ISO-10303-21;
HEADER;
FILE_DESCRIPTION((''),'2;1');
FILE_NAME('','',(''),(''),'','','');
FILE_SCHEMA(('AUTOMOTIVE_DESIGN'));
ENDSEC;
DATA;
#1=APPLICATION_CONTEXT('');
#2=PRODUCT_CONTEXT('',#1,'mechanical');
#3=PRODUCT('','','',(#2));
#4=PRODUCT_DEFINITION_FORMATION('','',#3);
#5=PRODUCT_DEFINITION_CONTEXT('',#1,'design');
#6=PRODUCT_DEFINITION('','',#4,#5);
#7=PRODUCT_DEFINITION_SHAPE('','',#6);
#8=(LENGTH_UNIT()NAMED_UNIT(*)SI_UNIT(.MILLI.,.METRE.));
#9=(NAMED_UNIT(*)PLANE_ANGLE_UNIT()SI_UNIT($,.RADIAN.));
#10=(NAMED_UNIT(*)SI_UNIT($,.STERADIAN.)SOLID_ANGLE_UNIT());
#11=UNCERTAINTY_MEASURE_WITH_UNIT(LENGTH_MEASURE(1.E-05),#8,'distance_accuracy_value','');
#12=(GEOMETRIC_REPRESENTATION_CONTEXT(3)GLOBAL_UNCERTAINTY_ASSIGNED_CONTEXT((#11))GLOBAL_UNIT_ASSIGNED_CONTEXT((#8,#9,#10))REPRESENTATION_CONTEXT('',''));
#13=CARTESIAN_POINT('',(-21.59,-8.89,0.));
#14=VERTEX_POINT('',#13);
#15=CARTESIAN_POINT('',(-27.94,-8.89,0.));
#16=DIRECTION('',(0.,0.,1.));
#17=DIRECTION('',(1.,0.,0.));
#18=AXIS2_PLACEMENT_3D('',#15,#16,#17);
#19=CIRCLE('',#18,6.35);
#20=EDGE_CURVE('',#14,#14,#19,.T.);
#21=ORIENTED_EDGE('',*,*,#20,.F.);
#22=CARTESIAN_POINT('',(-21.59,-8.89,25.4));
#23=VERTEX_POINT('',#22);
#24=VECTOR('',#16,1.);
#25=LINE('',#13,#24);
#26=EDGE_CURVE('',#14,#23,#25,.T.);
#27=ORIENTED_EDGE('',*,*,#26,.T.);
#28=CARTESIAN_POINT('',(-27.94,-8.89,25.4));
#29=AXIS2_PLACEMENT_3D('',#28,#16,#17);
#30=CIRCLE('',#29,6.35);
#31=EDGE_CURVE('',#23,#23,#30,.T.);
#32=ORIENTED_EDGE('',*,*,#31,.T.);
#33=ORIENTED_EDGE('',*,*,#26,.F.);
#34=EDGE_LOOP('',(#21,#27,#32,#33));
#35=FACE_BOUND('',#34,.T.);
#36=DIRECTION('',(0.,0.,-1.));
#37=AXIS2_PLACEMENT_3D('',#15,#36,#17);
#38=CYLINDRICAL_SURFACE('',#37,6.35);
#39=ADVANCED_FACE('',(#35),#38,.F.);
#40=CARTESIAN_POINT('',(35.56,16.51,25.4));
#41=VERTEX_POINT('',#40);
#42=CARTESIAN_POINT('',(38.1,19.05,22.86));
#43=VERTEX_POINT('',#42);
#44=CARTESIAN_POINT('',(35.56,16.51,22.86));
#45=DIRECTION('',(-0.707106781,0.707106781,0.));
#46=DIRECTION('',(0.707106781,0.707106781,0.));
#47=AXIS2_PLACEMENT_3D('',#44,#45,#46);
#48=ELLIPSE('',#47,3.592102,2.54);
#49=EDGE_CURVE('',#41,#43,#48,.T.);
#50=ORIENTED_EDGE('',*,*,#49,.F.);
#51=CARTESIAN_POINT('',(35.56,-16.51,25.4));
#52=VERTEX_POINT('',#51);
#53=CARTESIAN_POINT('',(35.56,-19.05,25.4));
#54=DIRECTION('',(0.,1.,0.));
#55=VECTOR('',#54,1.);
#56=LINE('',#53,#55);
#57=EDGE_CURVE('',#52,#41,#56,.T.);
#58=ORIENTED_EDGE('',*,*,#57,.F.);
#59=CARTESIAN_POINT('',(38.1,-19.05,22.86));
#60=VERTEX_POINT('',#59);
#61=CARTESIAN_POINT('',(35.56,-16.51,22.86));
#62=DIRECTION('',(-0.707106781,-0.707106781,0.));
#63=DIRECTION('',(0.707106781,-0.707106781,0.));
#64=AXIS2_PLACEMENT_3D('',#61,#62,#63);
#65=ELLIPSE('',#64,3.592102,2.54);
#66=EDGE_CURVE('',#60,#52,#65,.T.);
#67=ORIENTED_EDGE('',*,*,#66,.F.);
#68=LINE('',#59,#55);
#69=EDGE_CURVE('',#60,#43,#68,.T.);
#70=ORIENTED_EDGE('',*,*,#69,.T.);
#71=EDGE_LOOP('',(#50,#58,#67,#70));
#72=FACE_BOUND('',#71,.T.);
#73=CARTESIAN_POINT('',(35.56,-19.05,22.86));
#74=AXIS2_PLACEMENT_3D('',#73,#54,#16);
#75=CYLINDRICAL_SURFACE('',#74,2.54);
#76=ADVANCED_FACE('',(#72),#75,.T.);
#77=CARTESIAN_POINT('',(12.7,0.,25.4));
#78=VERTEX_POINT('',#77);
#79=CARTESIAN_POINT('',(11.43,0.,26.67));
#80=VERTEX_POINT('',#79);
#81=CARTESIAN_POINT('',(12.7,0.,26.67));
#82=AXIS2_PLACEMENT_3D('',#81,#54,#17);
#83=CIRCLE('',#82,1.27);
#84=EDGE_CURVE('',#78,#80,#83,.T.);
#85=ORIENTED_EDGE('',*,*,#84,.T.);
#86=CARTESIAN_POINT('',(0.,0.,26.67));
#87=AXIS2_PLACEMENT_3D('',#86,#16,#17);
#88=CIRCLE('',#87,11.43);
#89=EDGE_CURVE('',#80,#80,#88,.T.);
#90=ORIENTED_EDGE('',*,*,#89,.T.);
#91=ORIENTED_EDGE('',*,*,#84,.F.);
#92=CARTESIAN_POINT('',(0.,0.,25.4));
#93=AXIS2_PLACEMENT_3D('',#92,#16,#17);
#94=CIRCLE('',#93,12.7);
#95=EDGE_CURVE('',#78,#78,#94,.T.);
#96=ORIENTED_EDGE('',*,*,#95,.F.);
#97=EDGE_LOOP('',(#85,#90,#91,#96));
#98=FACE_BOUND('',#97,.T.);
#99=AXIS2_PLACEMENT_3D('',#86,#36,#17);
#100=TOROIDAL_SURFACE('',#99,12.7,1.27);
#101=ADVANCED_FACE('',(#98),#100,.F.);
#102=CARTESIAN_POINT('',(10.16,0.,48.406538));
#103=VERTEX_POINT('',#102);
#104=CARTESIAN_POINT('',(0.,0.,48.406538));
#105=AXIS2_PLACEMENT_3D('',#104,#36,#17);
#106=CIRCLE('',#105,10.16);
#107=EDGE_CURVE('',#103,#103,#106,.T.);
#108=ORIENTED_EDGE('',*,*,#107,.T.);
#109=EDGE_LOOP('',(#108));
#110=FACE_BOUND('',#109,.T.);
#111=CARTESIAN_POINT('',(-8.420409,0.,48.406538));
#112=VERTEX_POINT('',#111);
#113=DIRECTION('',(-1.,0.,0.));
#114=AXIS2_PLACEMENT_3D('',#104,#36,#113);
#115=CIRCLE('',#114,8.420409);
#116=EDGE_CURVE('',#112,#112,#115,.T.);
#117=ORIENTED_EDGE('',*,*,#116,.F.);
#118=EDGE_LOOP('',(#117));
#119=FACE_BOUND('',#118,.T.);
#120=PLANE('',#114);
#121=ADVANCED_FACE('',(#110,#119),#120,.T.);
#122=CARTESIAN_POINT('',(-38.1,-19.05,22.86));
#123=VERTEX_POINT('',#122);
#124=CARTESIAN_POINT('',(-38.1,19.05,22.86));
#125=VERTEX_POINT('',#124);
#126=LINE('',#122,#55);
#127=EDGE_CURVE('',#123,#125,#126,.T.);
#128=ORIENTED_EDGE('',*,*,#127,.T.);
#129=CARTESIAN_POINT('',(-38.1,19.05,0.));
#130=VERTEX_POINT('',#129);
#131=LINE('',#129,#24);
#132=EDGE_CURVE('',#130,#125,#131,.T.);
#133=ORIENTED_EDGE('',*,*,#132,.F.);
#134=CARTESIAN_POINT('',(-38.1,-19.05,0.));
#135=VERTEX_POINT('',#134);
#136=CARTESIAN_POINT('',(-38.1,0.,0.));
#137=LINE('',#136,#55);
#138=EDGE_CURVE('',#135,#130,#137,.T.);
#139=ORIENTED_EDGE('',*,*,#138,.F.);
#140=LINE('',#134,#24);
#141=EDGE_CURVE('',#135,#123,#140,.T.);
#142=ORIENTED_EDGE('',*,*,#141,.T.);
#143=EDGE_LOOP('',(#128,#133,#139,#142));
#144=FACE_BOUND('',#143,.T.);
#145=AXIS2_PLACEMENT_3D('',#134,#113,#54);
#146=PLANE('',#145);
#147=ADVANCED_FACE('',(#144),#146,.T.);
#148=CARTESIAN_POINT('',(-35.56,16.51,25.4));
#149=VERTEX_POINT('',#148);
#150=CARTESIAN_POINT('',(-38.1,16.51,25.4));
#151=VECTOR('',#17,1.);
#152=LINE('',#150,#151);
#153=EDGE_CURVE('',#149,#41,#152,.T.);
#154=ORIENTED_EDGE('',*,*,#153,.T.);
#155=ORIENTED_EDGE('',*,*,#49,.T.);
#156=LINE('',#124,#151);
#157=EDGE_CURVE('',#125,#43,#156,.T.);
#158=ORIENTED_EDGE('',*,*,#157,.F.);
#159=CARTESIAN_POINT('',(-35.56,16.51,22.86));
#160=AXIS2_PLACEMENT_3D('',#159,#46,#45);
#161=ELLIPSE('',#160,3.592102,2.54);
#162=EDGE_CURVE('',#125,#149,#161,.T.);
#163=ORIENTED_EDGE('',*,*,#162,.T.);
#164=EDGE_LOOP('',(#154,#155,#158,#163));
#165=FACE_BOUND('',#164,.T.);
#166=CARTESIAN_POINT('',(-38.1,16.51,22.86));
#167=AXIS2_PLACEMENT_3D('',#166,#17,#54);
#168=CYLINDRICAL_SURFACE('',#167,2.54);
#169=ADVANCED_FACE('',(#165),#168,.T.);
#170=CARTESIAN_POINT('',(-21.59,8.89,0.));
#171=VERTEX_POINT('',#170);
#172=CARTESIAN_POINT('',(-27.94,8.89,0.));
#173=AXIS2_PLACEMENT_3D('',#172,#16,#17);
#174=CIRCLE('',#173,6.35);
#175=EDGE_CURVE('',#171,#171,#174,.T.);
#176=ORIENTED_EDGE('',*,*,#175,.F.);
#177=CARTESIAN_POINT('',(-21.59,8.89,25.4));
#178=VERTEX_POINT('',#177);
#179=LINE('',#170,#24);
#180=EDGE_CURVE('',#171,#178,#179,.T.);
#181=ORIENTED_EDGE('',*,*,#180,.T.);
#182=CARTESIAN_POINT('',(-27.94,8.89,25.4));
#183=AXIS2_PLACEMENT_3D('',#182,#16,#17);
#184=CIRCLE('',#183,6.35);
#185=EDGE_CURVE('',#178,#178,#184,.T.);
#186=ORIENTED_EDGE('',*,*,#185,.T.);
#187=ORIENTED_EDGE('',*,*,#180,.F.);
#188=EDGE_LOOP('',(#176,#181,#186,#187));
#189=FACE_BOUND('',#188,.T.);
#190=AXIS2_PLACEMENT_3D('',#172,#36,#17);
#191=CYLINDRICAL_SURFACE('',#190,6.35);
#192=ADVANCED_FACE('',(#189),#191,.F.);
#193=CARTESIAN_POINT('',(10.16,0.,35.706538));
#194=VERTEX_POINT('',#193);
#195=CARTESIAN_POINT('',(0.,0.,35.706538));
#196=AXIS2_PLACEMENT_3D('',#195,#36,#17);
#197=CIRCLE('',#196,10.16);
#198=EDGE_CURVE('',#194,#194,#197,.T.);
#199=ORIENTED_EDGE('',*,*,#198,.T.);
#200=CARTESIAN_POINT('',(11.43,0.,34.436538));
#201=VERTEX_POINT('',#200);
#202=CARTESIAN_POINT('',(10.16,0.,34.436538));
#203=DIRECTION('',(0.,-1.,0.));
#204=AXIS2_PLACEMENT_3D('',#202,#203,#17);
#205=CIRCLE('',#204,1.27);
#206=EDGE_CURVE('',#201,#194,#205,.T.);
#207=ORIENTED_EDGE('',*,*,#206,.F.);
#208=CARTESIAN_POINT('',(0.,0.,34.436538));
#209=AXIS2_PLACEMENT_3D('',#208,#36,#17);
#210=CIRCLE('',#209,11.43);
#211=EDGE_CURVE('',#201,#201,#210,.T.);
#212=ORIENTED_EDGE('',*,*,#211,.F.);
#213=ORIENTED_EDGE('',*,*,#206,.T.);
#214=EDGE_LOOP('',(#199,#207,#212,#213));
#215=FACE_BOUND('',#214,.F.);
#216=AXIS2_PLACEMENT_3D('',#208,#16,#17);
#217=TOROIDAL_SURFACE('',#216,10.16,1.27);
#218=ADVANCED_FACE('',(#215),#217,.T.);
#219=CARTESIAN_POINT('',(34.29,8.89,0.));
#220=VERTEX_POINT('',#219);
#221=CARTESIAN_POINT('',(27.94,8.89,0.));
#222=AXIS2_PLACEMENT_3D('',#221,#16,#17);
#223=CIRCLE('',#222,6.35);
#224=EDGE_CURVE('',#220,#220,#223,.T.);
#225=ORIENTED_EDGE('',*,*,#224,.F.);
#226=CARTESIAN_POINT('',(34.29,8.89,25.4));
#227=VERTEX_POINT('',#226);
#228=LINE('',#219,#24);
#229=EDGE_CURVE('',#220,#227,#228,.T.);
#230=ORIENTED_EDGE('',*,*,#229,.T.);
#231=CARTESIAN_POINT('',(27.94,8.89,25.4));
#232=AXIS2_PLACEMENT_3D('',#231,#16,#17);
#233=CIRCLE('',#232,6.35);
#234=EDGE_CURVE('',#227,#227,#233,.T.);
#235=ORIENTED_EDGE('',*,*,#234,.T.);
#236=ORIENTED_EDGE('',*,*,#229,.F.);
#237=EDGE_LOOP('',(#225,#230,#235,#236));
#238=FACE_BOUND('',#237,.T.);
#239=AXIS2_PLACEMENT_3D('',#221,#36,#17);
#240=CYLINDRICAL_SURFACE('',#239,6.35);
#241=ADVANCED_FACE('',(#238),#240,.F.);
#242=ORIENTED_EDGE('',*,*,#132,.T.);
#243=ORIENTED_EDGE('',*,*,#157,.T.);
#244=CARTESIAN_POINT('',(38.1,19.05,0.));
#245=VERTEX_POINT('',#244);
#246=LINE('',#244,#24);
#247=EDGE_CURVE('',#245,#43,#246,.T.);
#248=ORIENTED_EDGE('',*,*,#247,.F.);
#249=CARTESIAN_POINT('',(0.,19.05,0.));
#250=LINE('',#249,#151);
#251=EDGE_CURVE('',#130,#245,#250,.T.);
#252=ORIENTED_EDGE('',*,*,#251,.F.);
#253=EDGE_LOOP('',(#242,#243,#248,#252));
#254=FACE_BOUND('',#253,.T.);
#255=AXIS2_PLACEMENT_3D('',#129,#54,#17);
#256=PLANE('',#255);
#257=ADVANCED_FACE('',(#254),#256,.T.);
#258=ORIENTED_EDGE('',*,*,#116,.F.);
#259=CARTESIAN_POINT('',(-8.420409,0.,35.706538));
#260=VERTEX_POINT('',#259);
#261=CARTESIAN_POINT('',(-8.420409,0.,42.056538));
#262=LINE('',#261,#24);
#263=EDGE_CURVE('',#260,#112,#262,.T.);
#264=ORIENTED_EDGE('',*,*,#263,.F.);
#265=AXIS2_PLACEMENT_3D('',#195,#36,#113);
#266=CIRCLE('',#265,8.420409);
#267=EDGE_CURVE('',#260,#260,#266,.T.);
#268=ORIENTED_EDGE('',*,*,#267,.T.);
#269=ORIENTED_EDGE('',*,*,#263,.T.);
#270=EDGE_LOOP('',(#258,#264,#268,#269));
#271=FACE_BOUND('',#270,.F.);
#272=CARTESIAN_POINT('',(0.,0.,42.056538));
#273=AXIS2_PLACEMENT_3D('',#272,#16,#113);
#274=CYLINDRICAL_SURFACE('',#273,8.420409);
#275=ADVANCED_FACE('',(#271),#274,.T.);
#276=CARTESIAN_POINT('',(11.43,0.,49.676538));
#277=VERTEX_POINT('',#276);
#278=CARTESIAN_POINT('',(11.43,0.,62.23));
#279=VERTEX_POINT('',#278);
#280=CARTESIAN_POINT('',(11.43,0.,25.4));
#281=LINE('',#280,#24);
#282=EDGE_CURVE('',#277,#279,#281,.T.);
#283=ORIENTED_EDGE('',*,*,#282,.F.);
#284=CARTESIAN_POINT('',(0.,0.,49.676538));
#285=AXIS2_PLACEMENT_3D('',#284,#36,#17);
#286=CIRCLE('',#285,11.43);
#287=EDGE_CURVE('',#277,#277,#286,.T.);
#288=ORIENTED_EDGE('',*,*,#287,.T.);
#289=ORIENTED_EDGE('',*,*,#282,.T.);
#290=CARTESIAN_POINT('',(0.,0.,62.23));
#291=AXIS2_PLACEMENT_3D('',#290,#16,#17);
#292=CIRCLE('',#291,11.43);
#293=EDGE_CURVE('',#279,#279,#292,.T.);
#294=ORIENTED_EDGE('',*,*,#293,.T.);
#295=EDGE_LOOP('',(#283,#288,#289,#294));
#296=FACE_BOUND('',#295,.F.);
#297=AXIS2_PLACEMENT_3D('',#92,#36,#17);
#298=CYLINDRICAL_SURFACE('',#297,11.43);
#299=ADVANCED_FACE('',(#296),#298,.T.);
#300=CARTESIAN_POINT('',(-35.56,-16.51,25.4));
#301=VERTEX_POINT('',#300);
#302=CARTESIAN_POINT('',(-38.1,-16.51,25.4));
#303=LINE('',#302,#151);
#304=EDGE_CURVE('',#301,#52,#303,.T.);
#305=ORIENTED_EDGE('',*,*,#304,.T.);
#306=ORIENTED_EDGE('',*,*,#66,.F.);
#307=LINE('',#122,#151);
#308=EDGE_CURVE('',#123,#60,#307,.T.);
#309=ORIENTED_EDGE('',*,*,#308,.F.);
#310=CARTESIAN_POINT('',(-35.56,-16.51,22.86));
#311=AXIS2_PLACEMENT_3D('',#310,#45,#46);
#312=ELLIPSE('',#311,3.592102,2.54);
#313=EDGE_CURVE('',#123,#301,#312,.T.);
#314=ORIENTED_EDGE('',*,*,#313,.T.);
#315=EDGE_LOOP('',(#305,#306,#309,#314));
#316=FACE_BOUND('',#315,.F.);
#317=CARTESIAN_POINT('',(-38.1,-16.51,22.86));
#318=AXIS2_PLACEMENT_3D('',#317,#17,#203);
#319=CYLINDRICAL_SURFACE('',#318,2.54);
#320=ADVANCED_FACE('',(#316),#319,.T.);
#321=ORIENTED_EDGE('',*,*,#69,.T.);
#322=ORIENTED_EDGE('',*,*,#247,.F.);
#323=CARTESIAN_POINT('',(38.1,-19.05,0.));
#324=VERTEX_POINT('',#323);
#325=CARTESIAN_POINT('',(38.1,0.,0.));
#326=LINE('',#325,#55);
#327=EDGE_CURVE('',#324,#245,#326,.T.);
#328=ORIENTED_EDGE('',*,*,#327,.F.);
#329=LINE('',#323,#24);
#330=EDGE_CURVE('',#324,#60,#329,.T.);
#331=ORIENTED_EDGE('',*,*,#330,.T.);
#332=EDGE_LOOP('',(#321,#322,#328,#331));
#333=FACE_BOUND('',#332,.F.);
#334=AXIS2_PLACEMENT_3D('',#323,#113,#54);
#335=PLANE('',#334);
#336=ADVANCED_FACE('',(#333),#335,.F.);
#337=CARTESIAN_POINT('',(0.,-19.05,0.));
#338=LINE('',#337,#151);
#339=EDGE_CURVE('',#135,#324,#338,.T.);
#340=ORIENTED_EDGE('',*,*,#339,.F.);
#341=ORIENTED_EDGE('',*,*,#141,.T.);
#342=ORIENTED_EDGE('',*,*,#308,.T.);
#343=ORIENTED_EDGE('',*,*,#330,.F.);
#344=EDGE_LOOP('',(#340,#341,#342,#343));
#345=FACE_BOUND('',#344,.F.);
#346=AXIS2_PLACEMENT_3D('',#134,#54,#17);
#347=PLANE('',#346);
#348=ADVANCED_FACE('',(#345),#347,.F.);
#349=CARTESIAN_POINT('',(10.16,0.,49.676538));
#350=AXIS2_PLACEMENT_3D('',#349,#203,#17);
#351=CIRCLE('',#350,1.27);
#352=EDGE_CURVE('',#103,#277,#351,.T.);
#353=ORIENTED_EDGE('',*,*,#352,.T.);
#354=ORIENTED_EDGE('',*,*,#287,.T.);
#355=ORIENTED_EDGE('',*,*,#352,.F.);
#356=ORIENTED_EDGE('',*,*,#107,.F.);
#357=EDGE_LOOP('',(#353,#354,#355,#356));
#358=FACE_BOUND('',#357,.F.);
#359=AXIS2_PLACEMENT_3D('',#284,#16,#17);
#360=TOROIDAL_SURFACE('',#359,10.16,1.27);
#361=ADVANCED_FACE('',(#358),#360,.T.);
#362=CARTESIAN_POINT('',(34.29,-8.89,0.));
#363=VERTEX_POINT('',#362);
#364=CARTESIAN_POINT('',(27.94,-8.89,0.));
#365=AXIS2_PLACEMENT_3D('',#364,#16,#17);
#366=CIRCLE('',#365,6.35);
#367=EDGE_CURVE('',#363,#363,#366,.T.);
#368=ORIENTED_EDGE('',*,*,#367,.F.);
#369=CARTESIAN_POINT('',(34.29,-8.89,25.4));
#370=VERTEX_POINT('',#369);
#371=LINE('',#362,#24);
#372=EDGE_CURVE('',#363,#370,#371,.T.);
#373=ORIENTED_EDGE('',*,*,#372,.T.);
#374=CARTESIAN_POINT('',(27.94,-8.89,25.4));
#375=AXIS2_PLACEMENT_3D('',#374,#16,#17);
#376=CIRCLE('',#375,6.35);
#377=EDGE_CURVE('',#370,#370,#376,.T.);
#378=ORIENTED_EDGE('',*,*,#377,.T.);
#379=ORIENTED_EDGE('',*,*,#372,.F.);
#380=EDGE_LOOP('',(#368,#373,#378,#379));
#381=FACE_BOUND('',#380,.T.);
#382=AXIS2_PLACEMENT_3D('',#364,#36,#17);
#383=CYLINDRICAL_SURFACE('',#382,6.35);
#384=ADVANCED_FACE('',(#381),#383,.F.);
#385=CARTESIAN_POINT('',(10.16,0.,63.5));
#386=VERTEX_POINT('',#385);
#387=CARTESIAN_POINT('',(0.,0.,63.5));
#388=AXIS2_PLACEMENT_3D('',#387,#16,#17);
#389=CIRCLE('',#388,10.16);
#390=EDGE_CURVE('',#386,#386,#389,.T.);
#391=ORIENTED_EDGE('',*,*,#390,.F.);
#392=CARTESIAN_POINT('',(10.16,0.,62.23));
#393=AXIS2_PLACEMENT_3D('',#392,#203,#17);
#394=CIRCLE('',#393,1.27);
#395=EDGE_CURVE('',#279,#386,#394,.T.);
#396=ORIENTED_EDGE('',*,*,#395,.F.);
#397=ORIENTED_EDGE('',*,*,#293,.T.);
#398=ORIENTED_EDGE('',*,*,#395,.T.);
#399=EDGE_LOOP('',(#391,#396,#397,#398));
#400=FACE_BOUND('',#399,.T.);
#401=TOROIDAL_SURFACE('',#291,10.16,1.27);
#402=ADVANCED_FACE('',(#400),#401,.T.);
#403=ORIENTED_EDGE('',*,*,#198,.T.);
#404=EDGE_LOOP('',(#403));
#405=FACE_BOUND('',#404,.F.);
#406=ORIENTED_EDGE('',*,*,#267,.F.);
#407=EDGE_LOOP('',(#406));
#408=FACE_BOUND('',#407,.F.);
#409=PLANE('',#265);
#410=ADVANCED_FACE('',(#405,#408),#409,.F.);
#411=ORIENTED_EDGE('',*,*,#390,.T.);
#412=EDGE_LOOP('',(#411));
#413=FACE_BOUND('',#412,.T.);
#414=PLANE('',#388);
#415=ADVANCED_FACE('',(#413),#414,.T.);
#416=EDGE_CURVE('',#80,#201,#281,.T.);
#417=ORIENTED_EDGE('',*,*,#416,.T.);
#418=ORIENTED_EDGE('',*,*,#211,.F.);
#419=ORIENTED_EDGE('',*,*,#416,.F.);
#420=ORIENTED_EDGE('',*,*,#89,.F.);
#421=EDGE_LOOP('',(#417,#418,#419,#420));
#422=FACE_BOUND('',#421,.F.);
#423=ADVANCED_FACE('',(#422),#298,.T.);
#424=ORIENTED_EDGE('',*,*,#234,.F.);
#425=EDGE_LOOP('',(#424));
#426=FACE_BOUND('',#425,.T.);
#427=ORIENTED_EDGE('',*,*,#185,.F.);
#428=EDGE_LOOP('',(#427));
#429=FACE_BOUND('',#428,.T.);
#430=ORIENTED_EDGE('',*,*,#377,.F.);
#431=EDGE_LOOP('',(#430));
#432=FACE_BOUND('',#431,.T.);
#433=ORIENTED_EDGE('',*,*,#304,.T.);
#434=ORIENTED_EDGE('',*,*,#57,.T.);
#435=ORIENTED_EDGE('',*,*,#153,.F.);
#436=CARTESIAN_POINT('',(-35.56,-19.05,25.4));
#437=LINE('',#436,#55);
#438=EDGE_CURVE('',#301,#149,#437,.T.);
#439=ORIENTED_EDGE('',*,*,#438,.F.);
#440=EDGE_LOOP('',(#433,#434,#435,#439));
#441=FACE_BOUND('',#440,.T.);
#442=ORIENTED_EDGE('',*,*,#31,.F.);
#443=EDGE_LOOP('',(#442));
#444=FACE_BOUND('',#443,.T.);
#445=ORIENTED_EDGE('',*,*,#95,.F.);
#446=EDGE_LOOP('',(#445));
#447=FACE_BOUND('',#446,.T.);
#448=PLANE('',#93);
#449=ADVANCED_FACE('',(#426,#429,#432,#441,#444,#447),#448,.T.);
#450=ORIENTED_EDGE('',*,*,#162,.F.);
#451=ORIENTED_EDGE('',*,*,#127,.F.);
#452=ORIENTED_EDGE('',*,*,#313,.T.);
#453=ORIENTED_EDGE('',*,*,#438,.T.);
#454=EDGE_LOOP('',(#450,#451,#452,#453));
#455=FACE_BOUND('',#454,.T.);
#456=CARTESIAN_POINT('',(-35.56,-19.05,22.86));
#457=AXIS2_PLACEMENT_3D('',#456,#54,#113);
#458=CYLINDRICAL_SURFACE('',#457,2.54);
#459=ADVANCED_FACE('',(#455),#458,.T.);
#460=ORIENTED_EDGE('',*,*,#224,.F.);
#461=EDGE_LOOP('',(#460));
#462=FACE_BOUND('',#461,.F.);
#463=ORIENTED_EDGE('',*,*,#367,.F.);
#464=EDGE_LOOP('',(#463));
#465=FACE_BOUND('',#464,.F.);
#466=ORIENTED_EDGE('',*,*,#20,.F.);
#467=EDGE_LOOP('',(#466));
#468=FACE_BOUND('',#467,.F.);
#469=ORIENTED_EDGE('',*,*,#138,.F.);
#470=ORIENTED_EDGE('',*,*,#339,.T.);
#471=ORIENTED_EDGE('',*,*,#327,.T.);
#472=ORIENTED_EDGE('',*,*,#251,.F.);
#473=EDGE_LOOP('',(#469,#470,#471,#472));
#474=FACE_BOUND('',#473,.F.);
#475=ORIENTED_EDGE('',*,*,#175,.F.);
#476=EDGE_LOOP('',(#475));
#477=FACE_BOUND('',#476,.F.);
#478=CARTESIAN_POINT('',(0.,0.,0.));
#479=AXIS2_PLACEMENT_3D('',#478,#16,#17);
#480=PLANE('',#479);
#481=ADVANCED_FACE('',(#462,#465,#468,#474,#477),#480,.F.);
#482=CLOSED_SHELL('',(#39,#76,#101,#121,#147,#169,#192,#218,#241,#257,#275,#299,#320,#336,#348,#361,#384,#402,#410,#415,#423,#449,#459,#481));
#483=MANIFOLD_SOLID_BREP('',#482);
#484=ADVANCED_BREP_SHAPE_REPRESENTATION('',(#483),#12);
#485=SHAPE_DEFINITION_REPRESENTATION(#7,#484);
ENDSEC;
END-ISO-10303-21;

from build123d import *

# Parameters (mm, degrees)
F0_W     = 76.2
F0_H     = 38.1
F1_DEPTH = 25.4
F2_R     = 6.35
F3_DEPTH = 25.4
F4_R     = 11.43
F5_DEPTH = 38.1
F6_W     = 15.24
F6_H     = 12.7
F8_R     = 2.54
F9_R     = 1.27


with BuildPart() as f1:
    # F0 (on Top) → F1 (new body)
    with BuildSketch(Plane.XY):
        Rectangle(F0_W, F0_H)
    extrude(amount=F1_DEPTH)

    # F2 (on Top) → F3 (cut)
    with BuildSketch(Plane.XY):
        with Locations((-27.94, 8.89)):
            Circle(F2_R)
        with Locations((27.94, 8.89)):
            Circle(F2_R)
        with Locations((-27.94, -8.89)):
            Circle(F2_R)
        with Locations((27.94, -8.89)):
            Circle(F2_R)
    extrude(amount=F3_DEPTH, mode=Mode.SUBTRACT)

    # F4 (on face) → F5 (join)
    with BuildSketch(Plane.XY.offset(25.4)):
        Circle(F4_R)
    extrude(amount=F5_DEPTH)

    # F6 (on Front) → F7 (revolve, cut)
    with BuildSketch(Plane.XZ):
        with Locations((-16.0404087242, 42.0565381646)):
            Rectangle(F6_W, F6_H)
    revolve(axis=Axis((0, 0, 25.4), (0, 0, -1)), mode=Mode.SUBTRACT)

    # F8
    f8_edges = [f1.edges().sort_by_distance(p)[0] for p in [
        (-38.1, 0, 25.4),
        (0, -19.05, 25.4),
        (38.1, 0, 25.4),
        (0, 19.05, 25.4),
    ]]
    fillet(f8_edges, radius=F8_R)

    # F9
    f9_edges = [f1.edges().sort_by_distance(p)[0] for p in [
        (-11.43, 0, 63.5),
        (-11.43, 0, 35.706538),
        (-11.43, 0, 48.406538),
        (-11.43, 0, 25.4),
    ]]
    fillet(f9_edges, radius=F9_R)


solid = f1.part
